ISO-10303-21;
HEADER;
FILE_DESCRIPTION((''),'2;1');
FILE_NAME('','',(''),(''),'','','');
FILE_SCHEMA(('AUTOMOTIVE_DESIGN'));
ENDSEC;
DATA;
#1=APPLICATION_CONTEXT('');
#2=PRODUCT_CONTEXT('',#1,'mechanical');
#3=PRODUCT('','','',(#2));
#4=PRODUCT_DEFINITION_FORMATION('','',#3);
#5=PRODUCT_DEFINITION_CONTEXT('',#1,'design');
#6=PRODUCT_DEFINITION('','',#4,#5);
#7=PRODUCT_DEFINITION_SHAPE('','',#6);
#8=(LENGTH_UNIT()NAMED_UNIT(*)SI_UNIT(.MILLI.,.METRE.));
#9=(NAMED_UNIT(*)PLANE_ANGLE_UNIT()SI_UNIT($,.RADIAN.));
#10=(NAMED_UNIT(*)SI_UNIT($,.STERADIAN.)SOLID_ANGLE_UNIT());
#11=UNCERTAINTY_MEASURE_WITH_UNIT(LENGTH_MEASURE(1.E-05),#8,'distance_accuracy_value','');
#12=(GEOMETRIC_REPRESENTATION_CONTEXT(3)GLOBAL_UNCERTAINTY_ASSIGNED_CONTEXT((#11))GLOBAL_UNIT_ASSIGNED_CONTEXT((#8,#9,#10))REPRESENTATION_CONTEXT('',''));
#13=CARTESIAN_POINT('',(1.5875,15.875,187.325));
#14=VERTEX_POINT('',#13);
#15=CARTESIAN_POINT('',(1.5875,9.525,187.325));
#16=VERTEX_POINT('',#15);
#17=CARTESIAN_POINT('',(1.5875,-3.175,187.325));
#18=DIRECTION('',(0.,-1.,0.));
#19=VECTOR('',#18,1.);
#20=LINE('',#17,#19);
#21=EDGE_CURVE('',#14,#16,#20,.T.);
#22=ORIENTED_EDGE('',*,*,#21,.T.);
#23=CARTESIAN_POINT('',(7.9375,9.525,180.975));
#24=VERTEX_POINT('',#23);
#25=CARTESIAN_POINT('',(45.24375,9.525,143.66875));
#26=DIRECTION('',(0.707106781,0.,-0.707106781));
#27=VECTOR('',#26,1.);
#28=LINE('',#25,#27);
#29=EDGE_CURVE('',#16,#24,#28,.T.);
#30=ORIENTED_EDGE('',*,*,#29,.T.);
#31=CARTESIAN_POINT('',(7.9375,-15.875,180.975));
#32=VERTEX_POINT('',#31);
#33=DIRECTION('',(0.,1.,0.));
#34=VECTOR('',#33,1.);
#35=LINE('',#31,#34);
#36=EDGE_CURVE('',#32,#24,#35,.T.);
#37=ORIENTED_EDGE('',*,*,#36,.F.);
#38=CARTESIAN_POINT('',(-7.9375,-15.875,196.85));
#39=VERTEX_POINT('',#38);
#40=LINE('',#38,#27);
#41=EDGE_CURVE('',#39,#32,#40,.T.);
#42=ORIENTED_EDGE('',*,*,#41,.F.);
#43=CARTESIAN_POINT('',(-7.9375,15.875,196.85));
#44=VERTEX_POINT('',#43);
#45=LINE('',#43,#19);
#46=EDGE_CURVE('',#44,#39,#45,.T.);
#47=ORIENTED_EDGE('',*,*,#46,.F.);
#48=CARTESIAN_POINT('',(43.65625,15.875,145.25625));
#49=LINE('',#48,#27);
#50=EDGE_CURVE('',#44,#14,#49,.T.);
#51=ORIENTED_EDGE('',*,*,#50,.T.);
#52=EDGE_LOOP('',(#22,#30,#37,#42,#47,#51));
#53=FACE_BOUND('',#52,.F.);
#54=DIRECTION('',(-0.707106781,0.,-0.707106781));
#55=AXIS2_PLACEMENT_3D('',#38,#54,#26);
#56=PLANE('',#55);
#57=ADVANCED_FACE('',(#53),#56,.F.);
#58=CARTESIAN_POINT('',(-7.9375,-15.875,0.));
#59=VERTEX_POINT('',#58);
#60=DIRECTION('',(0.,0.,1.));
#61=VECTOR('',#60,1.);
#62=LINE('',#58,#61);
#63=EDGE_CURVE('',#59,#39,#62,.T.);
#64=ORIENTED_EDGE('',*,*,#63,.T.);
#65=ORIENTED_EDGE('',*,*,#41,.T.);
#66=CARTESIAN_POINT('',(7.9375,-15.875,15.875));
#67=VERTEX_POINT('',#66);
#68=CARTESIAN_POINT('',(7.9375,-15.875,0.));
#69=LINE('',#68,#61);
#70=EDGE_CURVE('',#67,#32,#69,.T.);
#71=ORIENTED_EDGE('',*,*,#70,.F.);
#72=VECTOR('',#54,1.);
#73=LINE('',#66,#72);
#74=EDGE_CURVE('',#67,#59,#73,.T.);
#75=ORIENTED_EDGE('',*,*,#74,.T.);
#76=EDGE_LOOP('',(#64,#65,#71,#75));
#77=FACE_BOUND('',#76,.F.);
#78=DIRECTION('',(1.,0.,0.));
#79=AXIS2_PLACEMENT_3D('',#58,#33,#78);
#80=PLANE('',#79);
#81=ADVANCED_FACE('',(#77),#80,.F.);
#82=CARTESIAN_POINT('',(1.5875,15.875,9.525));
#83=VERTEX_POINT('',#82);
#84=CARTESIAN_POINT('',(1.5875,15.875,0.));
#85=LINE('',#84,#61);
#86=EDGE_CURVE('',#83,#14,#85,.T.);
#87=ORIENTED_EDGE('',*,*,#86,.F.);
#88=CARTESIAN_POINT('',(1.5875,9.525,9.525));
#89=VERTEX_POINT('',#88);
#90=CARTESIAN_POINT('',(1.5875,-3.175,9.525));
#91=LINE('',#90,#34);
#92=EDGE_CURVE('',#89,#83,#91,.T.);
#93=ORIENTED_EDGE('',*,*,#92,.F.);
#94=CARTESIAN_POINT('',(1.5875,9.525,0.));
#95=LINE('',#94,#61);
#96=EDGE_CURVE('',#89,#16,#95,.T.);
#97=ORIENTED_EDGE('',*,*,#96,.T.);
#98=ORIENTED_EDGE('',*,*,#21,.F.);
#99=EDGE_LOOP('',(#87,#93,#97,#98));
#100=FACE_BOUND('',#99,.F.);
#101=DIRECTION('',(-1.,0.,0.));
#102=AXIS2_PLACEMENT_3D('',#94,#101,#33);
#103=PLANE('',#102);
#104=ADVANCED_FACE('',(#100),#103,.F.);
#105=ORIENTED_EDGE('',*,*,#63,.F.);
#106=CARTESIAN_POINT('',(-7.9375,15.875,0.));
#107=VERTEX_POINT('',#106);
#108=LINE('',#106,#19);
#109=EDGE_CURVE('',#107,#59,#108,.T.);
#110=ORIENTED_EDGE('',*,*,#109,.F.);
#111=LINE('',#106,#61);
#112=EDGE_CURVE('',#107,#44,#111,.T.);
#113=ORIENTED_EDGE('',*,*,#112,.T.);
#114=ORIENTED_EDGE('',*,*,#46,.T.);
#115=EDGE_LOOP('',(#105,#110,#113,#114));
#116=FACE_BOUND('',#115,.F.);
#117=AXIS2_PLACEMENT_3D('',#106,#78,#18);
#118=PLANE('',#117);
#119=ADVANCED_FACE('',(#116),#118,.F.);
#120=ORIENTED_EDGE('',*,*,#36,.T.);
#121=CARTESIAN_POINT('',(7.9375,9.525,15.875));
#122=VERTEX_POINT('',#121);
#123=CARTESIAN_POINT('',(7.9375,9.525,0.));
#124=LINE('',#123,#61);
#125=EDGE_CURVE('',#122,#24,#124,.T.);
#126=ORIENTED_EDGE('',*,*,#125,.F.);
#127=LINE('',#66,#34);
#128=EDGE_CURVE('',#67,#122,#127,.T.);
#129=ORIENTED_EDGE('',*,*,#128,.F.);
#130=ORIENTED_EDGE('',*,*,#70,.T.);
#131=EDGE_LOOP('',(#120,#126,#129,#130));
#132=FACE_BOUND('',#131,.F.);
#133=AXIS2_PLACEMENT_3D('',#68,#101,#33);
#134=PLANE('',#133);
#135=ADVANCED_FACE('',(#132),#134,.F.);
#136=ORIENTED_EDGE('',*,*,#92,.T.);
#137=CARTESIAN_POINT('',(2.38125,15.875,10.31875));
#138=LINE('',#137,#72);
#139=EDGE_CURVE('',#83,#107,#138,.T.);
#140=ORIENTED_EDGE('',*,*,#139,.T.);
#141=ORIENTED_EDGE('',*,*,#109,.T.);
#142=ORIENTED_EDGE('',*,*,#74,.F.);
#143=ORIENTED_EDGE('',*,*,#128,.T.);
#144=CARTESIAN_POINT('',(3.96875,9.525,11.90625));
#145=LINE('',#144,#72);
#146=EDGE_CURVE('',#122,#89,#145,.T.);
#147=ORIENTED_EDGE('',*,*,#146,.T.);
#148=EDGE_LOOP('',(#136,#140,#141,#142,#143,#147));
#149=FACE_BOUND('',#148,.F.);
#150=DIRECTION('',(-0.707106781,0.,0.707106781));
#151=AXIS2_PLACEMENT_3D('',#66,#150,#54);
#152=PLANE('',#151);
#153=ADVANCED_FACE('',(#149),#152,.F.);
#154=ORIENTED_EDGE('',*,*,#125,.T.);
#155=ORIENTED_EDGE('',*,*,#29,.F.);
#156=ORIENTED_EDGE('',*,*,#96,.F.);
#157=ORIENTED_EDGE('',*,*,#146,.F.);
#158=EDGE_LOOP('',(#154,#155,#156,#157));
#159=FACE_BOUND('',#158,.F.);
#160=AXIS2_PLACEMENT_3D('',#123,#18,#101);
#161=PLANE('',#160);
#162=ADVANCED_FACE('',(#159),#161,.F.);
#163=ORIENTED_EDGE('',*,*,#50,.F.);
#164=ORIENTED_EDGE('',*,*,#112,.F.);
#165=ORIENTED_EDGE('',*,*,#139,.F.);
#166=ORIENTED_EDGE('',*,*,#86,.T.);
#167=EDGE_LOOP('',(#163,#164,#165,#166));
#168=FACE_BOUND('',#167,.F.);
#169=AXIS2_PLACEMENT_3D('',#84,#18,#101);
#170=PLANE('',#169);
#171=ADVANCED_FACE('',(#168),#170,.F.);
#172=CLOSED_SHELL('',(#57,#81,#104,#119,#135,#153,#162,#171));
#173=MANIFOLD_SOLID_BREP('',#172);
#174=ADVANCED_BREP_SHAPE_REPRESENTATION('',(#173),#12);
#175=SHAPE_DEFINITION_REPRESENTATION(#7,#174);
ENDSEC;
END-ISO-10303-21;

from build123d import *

# Parameters (mm, degrees)
F1_DEPTH = 196.85
F3_DEPTH = 31.751


with BuildPart() as f1:
    # F0 (on Top) → F1 (new body)
    with BuildSketch(Plane.XY):
        Polygon((1.5875, 9.525), (1.5875, 15.875), (-7.9375, 15.875), (-7.9375, -15.875), (7.9375, -15.875), (7.9375, 9.525), align=None)
    extrude(amount=F1_DEPTH)

    # F2 (on face) → F3 (cut, through all)
    with BuildSketch(Plane.XZ.offset(15.875)):
        Polygon((7.9375, 196.85), (-7.9375, 196.85), (7.9375, 180.975), align=None)
        Polygon((7.9375, 15.875), (-7.9375, 0), (7.9375, 0), align=None)
    extrude(amount=-F3_DEPTH, mode=Mode.SUBTRACT)


solid = f1.part
